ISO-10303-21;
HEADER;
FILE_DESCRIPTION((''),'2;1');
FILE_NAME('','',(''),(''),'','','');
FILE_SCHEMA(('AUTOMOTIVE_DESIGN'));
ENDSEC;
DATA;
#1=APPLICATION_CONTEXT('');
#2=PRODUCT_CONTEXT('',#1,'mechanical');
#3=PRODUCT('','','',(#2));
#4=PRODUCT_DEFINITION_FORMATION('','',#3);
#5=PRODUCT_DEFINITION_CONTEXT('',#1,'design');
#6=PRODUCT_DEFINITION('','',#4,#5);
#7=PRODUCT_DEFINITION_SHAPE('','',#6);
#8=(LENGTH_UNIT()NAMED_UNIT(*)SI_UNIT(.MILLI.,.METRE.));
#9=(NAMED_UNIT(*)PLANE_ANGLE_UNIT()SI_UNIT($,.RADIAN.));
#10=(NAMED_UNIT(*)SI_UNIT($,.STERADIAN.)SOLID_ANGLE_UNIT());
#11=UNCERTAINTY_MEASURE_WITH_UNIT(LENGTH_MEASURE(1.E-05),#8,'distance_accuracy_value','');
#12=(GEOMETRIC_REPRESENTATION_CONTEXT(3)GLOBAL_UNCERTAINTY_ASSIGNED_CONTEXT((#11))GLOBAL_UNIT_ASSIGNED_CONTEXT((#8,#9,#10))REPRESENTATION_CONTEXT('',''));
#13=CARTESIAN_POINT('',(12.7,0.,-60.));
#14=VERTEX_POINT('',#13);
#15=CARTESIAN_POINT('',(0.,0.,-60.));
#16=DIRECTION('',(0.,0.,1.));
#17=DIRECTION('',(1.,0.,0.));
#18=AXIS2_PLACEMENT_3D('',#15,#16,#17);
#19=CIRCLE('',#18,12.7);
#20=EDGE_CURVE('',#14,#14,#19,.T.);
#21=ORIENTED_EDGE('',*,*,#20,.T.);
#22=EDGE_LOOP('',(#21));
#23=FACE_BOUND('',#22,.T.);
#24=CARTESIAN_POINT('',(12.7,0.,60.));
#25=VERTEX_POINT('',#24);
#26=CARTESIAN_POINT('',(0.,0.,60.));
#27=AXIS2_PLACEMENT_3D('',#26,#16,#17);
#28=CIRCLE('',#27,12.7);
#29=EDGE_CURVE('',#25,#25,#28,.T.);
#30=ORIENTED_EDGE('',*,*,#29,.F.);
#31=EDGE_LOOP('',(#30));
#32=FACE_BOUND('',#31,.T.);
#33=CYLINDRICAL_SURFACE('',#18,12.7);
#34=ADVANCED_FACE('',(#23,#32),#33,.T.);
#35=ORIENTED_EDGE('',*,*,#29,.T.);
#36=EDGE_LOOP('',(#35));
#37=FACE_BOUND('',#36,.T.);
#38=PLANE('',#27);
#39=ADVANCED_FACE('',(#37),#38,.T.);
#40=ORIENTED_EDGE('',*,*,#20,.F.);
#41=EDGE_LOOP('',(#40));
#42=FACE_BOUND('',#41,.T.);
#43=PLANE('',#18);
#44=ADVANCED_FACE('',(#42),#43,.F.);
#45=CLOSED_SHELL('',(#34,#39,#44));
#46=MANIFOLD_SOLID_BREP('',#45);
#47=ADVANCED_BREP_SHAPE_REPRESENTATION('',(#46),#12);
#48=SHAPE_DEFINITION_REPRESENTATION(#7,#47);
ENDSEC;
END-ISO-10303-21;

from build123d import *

# Parameters (mm, degrees)
BOSS_EXTRUDE1_DEPTH      = 60
BOSS_EXTRUDE1_DEPTH_BACK = 60
SKETCH1_R                = 12.7


with BuildPart() as part:
    # Sketch1 → Boss-Extrude1 (new, two sides: drawn at the far end of the back side and taken through both)
    with BuildSketch(Plane.XY.offset(-BOSS_EXTRUDE1_DEPTH_BACK)):
        Circle(SKETCH1_R)
    extrude(amount=BOSS_EXTRUDE1_DEPTH + BOSS_EXTRUDE1_DEPTH_BACK)


solid = part.part
